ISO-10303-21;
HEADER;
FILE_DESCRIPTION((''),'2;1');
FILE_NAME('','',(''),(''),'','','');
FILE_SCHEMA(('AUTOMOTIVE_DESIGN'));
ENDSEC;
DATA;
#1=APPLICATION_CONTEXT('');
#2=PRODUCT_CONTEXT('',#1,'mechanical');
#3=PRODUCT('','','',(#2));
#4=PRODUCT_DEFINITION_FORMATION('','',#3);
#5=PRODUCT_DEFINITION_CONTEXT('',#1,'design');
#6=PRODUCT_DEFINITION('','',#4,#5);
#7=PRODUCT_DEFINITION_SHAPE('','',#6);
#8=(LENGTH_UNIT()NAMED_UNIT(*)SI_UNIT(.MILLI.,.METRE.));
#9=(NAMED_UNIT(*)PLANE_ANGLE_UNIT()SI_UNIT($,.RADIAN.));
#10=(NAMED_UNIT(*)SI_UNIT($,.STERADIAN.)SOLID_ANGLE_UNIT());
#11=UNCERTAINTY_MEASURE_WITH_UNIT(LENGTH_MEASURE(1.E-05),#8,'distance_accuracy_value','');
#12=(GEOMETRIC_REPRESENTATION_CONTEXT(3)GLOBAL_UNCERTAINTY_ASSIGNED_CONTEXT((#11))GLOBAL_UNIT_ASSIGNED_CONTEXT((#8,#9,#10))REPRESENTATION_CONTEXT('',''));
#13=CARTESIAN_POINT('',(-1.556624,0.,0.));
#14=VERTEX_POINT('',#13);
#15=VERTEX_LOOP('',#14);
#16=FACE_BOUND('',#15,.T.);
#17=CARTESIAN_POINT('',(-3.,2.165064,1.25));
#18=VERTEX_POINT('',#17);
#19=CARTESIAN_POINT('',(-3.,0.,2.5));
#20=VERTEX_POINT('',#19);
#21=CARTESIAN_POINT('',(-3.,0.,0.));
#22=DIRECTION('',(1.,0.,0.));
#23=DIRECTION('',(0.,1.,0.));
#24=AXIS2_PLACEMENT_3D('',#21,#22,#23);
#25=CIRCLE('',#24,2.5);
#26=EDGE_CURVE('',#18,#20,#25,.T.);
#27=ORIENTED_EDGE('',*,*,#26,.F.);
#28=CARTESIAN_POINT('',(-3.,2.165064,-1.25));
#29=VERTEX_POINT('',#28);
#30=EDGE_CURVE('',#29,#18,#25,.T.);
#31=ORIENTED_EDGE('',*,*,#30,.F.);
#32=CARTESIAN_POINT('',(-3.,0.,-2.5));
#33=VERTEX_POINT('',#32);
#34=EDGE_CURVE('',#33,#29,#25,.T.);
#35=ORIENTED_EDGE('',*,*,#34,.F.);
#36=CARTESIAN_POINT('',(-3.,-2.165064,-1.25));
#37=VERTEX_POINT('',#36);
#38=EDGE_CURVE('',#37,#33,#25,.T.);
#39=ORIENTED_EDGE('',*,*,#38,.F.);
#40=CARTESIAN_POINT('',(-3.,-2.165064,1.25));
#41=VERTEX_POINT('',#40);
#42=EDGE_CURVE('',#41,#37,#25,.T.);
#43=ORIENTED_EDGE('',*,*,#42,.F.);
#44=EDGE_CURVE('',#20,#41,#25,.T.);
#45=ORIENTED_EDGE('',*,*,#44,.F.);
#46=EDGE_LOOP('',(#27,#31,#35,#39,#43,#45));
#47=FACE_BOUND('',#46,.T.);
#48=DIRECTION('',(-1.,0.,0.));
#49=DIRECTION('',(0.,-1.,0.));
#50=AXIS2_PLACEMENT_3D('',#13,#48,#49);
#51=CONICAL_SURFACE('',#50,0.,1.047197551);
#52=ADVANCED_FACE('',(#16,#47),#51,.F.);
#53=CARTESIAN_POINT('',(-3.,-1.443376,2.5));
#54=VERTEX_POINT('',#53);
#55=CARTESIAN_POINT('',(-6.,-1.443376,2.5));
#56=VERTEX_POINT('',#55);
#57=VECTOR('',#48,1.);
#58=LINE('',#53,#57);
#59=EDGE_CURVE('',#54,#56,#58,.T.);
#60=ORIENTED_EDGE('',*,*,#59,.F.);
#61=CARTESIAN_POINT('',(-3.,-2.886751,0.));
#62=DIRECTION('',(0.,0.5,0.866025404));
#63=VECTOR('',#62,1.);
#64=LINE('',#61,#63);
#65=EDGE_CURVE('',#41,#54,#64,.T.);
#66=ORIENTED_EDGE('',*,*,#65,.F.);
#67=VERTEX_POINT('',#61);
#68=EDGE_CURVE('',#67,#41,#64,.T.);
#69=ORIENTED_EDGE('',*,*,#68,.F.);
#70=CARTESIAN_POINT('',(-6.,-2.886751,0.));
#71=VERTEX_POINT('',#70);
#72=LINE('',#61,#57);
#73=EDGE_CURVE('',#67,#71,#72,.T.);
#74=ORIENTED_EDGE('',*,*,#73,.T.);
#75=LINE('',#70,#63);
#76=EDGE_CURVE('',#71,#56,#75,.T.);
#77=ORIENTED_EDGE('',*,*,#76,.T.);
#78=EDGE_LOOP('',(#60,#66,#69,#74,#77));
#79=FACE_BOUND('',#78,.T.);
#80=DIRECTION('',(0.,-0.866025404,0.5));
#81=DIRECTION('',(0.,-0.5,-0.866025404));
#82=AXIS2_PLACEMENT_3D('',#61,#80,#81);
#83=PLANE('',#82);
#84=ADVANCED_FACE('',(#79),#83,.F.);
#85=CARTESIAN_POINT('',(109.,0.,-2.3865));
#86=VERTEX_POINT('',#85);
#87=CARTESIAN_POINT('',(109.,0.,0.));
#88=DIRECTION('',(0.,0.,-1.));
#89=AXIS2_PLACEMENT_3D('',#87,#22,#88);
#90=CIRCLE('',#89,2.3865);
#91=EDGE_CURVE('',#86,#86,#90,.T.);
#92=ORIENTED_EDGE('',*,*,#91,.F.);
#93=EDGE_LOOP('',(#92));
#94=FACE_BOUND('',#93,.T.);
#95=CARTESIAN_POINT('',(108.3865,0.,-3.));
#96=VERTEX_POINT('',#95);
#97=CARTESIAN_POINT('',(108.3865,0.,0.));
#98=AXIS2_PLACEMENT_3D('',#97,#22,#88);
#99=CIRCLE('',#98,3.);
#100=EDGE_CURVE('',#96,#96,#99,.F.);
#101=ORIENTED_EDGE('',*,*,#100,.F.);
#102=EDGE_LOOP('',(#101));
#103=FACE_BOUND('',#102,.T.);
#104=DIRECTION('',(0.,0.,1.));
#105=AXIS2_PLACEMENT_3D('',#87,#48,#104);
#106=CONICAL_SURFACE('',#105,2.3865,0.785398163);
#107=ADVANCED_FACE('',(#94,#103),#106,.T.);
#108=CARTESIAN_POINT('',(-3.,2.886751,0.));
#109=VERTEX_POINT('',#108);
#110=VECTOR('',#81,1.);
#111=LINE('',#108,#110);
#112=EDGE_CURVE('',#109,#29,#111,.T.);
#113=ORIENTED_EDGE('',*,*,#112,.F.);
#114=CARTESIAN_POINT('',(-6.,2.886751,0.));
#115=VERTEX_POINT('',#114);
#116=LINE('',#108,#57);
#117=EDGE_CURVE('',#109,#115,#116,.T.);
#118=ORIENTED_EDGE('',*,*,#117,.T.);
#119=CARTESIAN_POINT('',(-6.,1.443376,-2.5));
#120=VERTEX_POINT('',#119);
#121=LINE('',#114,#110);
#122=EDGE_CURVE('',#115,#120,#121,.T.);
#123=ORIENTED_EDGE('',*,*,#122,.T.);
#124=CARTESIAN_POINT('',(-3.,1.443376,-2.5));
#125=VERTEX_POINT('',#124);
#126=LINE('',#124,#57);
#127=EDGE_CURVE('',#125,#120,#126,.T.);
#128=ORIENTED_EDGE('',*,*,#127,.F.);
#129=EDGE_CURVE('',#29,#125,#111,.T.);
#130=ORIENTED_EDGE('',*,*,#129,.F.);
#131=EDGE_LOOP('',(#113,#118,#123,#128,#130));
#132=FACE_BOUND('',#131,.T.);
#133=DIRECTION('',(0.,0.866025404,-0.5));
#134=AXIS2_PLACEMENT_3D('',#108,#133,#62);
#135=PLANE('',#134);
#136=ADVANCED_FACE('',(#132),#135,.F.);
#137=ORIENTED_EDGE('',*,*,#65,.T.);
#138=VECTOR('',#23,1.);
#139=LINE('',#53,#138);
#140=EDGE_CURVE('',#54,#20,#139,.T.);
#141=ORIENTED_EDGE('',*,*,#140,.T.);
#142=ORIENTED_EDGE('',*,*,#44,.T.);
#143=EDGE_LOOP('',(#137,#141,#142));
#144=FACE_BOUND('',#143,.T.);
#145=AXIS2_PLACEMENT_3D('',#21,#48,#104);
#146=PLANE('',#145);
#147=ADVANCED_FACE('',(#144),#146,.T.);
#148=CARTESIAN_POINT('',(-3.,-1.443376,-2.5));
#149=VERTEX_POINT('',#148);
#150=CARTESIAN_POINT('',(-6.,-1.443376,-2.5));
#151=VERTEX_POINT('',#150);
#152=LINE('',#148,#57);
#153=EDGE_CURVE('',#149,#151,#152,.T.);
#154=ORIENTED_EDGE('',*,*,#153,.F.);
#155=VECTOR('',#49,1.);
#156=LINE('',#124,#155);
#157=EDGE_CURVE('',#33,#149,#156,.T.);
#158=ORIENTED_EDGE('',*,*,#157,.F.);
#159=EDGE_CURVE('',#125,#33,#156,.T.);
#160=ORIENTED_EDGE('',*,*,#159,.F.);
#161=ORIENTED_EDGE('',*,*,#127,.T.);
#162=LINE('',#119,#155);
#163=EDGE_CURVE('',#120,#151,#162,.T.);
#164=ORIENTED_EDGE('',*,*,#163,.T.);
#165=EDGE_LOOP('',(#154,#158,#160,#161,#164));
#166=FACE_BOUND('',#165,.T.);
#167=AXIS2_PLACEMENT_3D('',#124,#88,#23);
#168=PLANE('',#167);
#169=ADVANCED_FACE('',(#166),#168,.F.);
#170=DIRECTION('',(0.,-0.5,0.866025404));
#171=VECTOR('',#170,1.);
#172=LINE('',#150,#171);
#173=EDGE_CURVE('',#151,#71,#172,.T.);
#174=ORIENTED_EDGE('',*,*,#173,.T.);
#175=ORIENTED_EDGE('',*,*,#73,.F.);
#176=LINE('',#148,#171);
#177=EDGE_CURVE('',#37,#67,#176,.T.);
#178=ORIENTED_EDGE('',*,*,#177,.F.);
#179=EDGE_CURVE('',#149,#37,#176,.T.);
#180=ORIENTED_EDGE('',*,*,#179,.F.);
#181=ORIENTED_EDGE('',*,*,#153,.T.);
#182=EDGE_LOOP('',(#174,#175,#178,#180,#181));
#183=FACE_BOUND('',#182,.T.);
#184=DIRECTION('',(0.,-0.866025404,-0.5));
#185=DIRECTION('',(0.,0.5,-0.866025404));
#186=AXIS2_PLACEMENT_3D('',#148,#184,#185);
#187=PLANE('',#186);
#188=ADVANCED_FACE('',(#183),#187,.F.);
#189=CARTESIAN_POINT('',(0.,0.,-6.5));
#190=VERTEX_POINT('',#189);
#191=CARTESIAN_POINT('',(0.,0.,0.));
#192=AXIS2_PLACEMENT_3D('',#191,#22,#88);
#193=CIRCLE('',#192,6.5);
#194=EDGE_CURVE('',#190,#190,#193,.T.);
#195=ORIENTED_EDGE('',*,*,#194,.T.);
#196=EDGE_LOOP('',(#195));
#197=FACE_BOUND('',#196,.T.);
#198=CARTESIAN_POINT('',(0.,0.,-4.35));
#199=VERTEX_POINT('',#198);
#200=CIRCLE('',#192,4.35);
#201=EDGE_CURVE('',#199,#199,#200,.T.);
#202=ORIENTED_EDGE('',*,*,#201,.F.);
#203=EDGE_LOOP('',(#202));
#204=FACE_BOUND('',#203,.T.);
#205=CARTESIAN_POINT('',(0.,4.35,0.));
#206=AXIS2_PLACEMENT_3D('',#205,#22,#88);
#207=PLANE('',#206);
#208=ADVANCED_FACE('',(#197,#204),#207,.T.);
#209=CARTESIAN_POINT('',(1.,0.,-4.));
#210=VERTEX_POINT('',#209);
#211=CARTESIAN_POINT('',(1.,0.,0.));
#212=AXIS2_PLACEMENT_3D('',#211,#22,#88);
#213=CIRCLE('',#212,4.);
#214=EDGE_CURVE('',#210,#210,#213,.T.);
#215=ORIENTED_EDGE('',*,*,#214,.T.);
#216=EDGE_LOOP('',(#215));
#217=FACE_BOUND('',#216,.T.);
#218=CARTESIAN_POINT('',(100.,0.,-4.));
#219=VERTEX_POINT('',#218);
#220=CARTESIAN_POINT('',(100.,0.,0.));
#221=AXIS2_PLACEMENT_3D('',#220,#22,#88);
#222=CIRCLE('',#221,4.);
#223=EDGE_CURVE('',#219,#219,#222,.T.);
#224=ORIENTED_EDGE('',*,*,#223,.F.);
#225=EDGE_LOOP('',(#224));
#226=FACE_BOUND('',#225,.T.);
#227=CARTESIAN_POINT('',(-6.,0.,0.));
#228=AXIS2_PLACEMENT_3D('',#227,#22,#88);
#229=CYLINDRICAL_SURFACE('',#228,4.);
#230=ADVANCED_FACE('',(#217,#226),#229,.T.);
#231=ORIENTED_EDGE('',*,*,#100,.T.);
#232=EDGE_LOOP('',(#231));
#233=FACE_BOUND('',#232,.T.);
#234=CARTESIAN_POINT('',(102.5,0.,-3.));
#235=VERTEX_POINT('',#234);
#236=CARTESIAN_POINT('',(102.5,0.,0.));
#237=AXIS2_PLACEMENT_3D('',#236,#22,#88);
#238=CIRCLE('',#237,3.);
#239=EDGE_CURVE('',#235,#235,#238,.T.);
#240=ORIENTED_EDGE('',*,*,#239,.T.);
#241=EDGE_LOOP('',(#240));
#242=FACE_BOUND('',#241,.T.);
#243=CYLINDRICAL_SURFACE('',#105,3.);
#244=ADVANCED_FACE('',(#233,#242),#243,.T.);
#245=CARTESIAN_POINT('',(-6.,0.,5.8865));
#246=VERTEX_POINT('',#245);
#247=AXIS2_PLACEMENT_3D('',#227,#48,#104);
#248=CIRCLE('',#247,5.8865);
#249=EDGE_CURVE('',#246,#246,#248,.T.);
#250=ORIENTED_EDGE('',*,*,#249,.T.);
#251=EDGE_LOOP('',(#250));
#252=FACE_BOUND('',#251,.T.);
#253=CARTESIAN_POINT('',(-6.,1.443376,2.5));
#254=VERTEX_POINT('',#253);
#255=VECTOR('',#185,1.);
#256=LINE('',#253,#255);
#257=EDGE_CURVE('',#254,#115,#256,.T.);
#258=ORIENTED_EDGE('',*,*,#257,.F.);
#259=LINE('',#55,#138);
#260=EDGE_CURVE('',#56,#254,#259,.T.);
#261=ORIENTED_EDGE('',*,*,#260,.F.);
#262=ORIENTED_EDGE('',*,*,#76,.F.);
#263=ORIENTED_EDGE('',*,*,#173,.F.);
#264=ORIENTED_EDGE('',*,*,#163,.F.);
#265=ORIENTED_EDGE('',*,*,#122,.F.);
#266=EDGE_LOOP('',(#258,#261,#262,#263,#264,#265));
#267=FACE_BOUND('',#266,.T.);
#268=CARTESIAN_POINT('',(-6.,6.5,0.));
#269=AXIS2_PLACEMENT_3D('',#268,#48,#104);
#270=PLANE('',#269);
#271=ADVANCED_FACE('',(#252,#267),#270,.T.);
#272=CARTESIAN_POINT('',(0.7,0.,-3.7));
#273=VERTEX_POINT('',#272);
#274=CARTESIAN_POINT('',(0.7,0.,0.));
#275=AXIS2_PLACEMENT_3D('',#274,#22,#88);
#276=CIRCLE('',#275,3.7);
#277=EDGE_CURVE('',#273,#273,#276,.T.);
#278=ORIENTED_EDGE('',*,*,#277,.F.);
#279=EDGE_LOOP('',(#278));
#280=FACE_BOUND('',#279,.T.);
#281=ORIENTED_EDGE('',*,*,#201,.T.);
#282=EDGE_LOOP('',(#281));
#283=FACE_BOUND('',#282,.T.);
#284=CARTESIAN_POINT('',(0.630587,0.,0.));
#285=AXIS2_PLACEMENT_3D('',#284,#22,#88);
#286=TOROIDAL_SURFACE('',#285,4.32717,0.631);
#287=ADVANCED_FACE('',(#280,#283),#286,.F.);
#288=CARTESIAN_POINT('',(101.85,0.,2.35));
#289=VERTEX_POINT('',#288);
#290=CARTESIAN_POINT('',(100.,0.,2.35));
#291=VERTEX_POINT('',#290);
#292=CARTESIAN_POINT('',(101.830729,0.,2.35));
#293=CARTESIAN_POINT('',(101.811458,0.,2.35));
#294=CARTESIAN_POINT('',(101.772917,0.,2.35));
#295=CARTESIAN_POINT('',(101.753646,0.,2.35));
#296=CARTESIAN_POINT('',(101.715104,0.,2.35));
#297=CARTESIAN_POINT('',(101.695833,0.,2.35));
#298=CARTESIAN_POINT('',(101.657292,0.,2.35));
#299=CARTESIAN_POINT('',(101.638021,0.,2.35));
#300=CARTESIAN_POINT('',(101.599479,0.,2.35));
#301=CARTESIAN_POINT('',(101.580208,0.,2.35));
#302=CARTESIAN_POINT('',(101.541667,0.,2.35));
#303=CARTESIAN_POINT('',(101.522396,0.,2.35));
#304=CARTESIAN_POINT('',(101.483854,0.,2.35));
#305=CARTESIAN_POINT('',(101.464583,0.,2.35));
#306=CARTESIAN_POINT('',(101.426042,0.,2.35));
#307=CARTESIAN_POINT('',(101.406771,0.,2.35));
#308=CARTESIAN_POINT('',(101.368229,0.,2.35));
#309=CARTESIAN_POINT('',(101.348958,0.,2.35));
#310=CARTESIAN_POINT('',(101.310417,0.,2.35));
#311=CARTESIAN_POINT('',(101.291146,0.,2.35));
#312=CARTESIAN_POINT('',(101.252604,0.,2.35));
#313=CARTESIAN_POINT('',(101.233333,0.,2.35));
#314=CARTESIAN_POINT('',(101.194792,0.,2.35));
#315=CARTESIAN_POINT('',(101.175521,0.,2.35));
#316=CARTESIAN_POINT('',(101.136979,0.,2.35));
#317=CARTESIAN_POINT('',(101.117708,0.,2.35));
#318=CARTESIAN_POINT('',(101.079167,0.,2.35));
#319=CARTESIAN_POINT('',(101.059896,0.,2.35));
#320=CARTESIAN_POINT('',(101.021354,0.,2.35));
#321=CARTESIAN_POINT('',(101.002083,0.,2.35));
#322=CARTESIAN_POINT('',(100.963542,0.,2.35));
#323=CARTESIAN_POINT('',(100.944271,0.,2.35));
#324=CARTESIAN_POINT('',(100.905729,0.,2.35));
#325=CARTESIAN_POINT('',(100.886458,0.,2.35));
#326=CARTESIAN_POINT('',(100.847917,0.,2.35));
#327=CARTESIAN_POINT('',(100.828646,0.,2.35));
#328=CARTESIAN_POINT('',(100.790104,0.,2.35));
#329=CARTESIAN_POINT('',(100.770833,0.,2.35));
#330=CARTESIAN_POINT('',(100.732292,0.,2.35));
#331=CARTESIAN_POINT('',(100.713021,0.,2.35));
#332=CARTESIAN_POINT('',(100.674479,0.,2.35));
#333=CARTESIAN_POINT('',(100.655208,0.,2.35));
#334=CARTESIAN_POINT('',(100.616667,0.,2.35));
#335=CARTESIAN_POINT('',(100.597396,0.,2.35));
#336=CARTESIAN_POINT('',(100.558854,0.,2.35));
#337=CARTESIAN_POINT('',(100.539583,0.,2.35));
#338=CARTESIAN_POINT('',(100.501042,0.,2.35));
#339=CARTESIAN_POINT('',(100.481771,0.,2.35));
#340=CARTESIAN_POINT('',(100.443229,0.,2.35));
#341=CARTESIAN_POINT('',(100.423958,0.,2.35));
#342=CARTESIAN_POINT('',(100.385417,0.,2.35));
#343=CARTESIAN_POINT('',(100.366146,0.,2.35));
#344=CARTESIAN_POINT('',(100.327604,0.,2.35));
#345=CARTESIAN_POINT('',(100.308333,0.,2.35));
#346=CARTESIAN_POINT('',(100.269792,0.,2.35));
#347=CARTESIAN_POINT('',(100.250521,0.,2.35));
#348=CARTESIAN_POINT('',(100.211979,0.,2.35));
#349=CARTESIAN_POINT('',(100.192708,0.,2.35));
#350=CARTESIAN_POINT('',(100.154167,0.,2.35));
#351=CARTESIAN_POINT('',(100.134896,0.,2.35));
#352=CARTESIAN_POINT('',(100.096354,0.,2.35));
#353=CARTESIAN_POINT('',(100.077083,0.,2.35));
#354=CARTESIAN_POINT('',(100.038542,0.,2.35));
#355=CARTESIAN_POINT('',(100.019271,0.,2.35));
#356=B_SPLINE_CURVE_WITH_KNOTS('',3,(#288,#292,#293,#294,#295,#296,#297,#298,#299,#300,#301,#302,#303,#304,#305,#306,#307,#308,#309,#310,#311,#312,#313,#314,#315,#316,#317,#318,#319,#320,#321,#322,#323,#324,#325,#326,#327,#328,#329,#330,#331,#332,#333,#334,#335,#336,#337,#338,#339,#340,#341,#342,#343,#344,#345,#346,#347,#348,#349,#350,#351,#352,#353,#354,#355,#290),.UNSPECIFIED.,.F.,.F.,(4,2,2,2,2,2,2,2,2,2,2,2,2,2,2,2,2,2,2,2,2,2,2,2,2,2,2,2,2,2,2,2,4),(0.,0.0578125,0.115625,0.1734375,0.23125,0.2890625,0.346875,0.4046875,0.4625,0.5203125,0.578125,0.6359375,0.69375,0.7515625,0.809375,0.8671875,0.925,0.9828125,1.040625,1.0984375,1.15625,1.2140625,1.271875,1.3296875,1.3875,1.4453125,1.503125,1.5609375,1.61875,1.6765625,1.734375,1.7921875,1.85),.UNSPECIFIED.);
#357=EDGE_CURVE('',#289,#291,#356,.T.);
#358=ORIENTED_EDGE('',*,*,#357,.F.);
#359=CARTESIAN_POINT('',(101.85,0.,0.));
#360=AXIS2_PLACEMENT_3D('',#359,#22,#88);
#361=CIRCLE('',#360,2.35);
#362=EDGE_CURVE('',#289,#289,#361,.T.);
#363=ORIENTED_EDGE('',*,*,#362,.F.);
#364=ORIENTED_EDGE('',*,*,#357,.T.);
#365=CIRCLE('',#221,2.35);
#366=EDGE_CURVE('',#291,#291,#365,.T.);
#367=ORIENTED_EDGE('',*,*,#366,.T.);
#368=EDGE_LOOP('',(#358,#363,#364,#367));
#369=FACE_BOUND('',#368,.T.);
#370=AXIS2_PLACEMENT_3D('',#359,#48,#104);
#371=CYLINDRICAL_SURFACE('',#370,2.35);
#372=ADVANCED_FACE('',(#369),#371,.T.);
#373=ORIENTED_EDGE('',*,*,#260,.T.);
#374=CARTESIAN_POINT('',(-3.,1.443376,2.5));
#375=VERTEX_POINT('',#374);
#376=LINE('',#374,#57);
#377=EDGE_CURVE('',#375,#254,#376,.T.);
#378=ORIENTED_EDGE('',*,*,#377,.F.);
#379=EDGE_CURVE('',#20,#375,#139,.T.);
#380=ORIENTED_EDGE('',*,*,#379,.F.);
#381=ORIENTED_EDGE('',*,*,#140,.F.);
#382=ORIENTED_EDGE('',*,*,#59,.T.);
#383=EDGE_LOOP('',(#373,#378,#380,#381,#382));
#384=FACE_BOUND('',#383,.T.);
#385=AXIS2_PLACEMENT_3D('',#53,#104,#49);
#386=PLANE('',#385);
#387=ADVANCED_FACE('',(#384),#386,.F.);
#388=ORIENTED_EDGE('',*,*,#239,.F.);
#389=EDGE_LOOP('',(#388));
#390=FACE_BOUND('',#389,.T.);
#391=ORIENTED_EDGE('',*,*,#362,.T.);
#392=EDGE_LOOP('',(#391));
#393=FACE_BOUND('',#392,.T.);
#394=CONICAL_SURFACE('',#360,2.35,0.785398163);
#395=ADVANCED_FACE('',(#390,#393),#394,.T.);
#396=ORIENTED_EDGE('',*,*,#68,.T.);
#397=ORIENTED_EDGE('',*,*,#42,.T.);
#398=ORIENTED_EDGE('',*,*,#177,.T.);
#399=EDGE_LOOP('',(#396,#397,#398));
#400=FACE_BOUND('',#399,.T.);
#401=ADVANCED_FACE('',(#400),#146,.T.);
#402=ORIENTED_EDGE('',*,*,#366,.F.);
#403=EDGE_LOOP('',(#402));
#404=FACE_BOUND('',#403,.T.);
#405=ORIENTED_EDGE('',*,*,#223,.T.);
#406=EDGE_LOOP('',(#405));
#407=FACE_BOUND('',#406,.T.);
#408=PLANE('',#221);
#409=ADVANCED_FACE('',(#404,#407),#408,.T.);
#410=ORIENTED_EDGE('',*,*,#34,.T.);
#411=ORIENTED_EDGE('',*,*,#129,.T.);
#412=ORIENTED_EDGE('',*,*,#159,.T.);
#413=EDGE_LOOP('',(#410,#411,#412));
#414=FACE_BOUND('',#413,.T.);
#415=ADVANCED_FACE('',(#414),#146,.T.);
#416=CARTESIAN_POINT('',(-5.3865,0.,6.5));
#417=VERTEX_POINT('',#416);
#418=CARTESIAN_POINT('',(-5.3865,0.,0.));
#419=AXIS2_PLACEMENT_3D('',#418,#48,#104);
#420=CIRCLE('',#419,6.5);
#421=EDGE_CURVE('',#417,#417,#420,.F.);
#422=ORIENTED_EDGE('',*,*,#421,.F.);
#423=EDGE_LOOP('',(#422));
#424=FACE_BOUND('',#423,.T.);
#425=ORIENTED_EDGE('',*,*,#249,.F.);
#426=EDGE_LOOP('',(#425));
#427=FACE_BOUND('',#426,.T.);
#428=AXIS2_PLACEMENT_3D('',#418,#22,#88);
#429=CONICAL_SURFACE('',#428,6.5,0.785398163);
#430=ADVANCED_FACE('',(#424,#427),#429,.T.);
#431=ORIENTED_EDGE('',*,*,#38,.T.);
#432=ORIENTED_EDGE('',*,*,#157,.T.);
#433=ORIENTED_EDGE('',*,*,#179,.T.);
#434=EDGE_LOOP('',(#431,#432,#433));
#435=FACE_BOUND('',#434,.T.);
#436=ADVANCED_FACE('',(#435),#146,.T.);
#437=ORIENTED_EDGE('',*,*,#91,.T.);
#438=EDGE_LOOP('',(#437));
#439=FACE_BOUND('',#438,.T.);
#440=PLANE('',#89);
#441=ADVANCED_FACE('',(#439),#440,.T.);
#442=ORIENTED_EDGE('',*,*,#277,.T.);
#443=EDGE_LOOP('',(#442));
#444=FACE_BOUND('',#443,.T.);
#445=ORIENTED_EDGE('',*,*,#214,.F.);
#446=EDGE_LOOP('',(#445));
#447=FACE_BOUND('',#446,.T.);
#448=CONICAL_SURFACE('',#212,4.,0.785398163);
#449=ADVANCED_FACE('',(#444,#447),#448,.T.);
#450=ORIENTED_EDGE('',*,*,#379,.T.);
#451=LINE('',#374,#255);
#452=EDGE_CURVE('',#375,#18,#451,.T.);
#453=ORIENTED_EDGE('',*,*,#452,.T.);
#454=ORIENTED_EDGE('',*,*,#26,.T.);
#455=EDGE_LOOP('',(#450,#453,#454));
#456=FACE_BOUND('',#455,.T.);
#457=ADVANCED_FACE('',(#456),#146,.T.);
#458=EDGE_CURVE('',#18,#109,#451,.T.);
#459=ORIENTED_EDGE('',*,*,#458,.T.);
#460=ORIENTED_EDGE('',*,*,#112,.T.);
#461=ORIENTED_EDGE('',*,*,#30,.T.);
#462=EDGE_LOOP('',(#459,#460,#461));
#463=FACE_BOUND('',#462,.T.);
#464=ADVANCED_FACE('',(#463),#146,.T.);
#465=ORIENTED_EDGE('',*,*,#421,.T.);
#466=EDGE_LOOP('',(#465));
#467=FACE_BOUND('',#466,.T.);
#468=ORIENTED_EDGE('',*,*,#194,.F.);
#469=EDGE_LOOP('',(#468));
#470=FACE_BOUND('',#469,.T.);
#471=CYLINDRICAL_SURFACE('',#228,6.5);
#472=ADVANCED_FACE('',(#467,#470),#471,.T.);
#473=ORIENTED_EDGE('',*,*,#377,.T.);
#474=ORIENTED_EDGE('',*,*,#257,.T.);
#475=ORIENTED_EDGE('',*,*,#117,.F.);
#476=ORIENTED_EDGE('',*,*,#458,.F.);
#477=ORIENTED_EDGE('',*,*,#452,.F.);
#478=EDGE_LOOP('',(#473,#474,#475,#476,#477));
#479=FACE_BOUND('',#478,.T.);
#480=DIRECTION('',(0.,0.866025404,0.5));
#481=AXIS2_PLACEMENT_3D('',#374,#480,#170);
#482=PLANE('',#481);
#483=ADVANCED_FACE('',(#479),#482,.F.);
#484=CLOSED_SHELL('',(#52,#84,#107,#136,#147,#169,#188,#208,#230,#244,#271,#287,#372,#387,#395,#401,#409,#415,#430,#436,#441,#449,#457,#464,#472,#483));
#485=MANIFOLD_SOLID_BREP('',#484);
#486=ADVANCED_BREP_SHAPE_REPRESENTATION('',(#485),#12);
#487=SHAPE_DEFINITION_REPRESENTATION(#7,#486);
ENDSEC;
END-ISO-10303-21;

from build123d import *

# Parameters (mm, degrees)
SKETCH2_R           = 2.35
BOSS_EXTRUDE1_DEPTH = 1.85
SKETCH3_R           = 2.35
BOSS_EXTRUDE2_DEPTH = 0.65
BOSS_EXTRUDE2_DRAFT = -45
SKETCH4_R           = 3
BOSS_EXTRUDE3_DEPTH = 6.5
CUT_EXTRUDE1_DEPTH  = 3
CHAMFER1_SIZE       = 0.6135


with BuildPart() as part:
    # Sketch1 → Revolve1 (revolve)
    with BuildSketch(Plane.XY, mode=Mode.PRIVATE) as revolve1_sk:
        with BuildLine():
            Line((-6, 6.5), (-6, 0))
            Line((-6, 0), (100, 0))
            Line((100, 0), (100, 4))
            Line((100, 4), (1, 4))
            Line((1, 4), (0.7, 3.7))
            ThreePointArc((0.7, 3.7), (0.201222236, 3.864777793), (0, 4.35))
            Line((0, 4.35), (0, 6.5))
            Line((0, 6.5), (-6, 6.5))
        make_face()
    revolve(revolve1_sk.sketch.rotate(Axis((-6, 0, 0), (1, 0, 0)), 270), axis=Axis((-6, 0, 0), (1, 0, 0)))

    # Sketch2 → Boss-Extrude1 (add)
    with BuildSketch(Plane(origin=(100, 0, 0), x_dir=(0, 0, -1), z_dir=(1, 0, 0))):
        with Locations(Location((0, 0, 0), (0, 0, 180))):
            Circle(SKETCH2_R)
    extrude(amount=BOSS_EXTRUDE1_DEPTH)


with BuildPart() as boss_extrude2_tool:
    # Sketch3 → Boss-Extrude2 (with draft: the straight prism first)
    with BuildSketch(Plane(origin=(101.85, 0, 0), x_dir=(0, 0, -1), z_dir=(1, 0, 0))):
        with Locations(Location((0, 0, 0), (0, 0, 180))):
            Circle(SKETCH3_R)
    extrude(amount=BOSS_EXTRUDE2_DEPTH)
    # Boss-Extrude2: the draft: its side faces are tilted about the plane it starts from
    boss_extrude2_sides = [boss_extrude2_tool.faces().sort_by_distance(p)[0] for p in [
        (102.175, 0, -2.35),
    ]]
    draft(boss_extrude2_sides, Plane(origin=(101.85, 0, 0), x_dir=(0, 0, -1), z_dir=(1, 0, 0)), BOSS_EXTRUDE2_DRAFT)


with BuildPart() as part_1:
    add(part.part)

    # Boss-Extrude2: add boss_extrude2_tool
    add(boss_extrude2_tool.part)

    # Sketch4 → Boss-Extrude3 (add)
    with BuildSketch(Plane(origin=(102.5, 0, 0), x_dir=(0, 0, -1), z_dir=(1, 0, 0))):
        Circle(SKETCH4_R)
    extrude(amount=BOSS_EXTRUDE3_DEPTH)

    # Sketch5 → Cut-Extrude1 (cut)
    with BuildSketch(Plane.ZY.offset(6)):
        Polygon((0, -2.886751346), (2.5, -1.443375673), (2.5, 1.443375673), (0, 2.886751346), (-2.5, 1.443375673), (-2.5, -1.443375673), align=None)
    extrude(amount=-CUT_EXTRUDE1_DEPTH, mode=Mode.SUBTRACT)

    # Sketch6 → Cut-Revolve1 (revolve, cut)
    with BuildSketch(Plane.XY, mode=Mode.PRIVATE) as cut_revolve1_sk:
        Polygon((-3, 2.5), (-3, 0), (-1.556624327, 0), align=None)
    revolve(cut_revolve1_sk.sketch.rotate(Axis((-3, 0, 0), (1, 0, 0)), 270), axis=Axis((-3, 0, 0), (1, 0, 0)), mode=Mode.SUBTRACT)

    # Chamfer1
    chamfer1_edges = [part_1.edges().sort_by_distance(p)[0] for p in [
        (109, 0, 3),
        (-6, 0, 6.5),
    ]]
    chamfer(chamfer1_edges, length=CHAMFER1_SIZE)


solid = part_1.part
